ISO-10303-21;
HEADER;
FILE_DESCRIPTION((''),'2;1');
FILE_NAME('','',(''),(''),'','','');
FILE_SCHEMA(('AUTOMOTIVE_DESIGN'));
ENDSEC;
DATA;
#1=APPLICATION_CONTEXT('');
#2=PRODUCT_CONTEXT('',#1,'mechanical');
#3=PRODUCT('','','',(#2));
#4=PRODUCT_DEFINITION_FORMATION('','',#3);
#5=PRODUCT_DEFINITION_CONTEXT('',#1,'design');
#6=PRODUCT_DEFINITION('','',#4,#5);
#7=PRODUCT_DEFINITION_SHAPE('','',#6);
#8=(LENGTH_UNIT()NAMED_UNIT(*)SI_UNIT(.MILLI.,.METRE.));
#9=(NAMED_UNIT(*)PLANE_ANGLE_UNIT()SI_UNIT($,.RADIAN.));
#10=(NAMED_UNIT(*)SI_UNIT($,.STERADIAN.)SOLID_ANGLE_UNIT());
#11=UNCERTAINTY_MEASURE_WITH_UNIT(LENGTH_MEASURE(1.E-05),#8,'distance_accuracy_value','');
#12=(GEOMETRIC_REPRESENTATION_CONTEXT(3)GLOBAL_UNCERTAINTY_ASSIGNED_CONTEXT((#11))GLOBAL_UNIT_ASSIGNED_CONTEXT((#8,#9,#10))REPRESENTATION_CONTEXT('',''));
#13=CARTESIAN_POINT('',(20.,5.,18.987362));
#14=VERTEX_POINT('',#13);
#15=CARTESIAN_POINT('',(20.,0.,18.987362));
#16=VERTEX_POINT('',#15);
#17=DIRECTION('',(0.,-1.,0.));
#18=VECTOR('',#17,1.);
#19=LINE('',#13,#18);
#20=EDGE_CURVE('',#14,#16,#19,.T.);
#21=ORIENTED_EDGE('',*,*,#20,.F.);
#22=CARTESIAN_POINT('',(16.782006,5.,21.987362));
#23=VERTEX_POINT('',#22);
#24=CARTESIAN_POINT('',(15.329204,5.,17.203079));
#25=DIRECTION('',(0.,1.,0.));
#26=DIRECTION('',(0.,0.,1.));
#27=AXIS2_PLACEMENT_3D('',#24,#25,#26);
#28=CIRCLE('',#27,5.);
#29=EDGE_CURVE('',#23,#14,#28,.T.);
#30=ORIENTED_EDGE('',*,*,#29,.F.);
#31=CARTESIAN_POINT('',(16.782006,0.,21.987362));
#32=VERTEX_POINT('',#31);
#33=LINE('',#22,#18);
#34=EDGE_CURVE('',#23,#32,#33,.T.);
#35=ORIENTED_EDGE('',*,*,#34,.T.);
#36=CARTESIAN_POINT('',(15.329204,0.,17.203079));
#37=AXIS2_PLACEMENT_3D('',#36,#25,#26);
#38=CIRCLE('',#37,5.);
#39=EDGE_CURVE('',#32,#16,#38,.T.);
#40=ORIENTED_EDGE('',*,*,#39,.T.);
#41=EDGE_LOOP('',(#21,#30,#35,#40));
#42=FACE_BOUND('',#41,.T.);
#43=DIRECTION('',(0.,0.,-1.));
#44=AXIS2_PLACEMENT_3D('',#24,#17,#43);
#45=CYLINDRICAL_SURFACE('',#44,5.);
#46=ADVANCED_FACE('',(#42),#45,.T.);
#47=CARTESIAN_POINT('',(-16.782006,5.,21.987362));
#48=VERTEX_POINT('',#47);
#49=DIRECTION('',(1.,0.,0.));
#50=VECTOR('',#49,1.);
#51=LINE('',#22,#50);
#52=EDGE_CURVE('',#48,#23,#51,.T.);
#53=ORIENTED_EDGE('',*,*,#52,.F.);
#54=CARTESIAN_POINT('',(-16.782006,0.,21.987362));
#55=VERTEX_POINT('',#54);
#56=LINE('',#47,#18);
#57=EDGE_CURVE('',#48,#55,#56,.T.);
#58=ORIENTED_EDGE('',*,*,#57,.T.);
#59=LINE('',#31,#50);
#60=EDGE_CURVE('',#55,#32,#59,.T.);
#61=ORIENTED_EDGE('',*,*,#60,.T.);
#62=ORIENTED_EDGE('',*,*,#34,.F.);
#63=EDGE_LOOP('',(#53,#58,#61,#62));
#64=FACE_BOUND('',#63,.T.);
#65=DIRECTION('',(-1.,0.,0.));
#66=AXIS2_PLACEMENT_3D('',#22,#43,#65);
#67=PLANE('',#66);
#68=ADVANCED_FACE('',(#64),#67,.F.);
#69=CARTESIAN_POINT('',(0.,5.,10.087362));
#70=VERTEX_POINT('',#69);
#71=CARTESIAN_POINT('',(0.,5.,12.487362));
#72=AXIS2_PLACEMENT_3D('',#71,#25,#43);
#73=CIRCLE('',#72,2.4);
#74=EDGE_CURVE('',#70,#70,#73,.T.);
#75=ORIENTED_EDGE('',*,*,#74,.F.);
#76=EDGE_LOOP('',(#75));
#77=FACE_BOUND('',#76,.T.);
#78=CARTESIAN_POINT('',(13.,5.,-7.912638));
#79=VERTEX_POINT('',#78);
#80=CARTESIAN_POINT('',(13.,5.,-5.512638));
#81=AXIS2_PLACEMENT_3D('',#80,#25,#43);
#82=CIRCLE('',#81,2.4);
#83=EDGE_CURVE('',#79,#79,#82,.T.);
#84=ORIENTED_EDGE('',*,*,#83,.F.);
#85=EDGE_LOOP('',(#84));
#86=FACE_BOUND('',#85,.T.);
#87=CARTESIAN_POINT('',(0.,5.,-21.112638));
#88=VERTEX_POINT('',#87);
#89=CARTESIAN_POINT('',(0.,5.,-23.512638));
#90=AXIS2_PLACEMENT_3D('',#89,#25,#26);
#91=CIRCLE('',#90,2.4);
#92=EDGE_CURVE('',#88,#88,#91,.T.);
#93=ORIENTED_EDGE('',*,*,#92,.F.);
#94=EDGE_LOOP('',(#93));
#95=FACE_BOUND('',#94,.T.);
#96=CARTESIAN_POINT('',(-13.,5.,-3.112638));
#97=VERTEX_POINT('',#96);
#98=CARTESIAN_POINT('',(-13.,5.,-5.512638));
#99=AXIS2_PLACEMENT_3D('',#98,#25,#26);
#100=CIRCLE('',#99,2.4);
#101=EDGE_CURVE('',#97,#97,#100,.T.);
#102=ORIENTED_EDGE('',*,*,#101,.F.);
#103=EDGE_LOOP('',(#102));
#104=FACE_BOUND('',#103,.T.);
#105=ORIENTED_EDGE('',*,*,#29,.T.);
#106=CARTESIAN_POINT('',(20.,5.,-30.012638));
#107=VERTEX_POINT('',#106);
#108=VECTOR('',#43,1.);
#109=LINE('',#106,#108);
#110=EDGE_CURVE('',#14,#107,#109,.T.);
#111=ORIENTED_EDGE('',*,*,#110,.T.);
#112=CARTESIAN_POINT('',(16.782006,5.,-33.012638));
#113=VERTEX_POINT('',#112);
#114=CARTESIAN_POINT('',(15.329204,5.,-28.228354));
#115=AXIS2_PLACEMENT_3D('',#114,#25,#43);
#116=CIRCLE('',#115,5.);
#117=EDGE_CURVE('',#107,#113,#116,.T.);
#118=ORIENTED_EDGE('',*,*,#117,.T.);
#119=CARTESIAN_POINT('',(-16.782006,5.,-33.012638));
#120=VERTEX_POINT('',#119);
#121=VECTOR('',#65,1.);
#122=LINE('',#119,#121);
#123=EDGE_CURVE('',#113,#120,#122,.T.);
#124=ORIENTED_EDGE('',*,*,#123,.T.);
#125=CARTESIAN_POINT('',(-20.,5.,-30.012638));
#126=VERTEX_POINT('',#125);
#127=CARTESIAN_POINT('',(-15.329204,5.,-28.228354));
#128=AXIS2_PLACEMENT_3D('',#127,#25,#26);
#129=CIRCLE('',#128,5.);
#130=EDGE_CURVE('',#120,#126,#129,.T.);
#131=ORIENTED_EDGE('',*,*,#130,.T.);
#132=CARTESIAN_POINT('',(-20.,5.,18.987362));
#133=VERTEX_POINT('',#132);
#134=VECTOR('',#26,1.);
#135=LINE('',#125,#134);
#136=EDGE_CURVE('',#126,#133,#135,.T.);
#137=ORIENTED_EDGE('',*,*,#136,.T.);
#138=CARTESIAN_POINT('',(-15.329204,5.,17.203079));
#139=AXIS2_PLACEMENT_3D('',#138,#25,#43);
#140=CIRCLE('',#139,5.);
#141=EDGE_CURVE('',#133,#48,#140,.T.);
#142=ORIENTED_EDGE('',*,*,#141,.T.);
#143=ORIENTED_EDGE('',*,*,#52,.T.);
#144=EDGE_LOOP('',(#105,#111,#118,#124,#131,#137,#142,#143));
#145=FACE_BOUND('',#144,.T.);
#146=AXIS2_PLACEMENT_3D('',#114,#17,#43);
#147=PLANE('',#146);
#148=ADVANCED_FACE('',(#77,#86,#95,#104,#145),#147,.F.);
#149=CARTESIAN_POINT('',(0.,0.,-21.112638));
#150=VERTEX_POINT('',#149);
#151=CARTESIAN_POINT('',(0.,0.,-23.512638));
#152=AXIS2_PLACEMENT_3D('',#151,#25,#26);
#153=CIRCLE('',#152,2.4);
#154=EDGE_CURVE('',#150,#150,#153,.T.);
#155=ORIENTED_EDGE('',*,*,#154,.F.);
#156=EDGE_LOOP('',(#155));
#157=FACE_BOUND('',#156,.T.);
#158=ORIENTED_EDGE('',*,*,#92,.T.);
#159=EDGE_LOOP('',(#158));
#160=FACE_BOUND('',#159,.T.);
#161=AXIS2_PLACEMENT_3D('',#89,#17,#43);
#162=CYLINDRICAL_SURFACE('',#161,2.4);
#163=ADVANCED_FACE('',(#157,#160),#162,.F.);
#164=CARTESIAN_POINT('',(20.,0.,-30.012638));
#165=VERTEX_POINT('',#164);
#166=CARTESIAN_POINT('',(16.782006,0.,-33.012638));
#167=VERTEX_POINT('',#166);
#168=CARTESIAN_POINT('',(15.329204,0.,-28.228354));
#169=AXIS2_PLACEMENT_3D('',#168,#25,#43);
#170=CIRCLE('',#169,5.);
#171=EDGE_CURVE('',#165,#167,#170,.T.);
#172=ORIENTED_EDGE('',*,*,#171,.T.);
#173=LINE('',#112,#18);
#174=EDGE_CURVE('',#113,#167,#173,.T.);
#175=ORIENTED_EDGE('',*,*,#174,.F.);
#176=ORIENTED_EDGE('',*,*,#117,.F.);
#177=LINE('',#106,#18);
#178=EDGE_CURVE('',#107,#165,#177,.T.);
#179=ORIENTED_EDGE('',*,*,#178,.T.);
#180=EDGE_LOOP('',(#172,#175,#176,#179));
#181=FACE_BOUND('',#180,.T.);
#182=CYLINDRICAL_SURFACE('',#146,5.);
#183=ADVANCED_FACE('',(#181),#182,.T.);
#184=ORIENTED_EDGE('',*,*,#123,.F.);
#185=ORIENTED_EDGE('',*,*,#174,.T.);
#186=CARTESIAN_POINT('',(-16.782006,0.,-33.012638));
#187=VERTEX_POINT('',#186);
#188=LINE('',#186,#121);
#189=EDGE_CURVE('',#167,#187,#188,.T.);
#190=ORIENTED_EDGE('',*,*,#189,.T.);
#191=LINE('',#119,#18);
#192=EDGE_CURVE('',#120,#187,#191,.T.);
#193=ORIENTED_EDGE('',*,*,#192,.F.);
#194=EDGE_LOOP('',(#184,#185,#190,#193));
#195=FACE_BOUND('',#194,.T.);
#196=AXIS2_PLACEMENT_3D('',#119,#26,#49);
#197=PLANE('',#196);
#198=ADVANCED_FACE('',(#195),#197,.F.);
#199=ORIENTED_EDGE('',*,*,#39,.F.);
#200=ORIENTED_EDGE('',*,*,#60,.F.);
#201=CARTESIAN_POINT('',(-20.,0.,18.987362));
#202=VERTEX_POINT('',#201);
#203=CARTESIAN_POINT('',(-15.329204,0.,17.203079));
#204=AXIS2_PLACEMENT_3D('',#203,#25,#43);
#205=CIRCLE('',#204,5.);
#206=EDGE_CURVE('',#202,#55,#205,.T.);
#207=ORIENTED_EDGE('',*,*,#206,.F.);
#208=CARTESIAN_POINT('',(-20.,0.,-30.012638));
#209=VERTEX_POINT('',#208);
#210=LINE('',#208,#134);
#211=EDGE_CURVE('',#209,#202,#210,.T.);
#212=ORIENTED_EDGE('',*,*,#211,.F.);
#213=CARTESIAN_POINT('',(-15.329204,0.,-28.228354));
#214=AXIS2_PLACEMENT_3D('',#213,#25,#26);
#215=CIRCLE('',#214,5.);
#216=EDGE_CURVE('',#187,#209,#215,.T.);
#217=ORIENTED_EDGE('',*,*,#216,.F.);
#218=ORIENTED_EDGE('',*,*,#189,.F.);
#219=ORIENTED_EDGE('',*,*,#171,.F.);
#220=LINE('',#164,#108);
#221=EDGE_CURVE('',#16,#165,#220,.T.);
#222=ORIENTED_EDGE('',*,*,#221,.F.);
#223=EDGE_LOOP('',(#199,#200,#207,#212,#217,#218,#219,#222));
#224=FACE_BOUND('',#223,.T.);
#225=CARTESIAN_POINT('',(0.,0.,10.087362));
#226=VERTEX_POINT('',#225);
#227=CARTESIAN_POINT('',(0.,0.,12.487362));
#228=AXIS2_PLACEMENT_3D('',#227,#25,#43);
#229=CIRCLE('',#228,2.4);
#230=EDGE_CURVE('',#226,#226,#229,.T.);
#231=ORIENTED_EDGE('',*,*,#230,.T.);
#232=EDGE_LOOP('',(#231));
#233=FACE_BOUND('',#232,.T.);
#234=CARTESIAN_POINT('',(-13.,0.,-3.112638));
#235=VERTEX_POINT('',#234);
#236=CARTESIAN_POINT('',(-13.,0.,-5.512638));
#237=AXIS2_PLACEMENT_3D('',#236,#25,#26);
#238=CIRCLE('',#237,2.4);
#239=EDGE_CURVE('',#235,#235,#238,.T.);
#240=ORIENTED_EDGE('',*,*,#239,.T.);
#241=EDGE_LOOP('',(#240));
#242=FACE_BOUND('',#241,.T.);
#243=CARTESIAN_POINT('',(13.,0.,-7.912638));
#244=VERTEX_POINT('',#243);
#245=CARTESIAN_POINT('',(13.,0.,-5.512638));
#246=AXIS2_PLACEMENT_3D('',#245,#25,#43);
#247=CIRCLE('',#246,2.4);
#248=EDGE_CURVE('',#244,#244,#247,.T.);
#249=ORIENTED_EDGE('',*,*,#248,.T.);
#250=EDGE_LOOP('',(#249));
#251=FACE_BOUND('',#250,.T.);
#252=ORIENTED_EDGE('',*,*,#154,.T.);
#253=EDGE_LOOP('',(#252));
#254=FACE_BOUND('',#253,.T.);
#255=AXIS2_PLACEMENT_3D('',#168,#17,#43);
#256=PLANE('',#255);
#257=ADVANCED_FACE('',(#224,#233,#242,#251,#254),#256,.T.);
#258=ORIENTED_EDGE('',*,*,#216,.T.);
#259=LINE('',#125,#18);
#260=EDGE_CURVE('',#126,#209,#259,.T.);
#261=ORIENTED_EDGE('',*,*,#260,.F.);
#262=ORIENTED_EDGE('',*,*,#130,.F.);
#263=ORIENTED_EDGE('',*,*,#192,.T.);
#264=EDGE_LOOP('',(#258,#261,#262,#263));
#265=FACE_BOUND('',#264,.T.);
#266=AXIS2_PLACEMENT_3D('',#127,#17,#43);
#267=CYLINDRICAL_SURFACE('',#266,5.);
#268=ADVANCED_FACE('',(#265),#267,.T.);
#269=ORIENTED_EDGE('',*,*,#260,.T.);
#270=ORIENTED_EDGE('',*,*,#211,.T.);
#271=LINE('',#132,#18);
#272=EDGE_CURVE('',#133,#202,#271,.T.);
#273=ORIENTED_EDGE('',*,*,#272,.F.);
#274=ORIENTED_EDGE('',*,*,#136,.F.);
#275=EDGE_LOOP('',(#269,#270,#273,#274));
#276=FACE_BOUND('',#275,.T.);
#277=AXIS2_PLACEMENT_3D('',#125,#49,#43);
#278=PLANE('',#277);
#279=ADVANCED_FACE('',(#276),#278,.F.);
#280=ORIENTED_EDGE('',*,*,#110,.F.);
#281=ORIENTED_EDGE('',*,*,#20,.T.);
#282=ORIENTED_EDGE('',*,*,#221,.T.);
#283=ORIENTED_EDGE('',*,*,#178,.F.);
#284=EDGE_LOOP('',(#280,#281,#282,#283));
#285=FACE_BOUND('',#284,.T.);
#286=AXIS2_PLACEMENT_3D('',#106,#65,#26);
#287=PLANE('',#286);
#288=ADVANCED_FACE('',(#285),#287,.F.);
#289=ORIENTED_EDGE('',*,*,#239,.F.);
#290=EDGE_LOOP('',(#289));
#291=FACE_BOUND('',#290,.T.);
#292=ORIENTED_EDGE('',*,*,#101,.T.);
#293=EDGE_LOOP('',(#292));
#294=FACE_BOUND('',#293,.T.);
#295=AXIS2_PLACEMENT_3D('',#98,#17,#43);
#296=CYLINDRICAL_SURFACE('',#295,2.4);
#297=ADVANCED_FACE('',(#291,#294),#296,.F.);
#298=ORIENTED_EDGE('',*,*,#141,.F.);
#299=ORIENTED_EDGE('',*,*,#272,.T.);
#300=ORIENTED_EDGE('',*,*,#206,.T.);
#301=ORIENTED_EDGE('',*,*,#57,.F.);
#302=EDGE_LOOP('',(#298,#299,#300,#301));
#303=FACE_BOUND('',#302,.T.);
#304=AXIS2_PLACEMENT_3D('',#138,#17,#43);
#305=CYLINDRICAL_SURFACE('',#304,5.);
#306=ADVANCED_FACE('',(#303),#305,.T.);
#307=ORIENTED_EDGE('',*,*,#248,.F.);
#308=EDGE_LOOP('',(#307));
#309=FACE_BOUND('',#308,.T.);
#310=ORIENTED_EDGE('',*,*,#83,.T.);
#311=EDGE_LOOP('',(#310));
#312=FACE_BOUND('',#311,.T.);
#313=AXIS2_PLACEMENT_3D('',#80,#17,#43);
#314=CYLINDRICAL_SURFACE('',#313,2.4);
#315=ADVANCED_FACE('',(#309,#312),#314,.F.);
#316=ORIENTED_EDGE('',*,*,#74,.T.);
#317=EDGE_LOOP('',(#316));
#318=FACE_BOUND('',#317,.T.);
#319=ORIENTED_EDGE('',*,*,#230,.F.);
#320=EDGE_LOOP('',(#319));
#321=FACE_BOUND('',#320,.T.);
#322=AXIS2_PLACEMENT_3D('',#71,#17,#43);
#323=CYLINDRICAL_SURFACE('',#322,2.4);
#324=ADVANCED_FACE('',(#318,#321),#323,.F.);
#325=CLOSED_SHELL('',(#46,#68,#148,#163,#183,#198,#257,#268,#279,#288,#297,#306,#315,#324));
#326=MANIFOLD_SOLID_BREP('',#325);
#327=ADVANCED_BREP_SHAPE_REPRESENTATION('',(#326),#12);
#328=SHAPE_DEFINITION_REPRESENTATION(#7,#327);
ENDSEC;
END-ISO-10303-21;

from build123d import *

# Parameters (mm, degrees)
SKETCH1_R           = 2.4
BOSS_EXTRUDE1_DEPTH = 5


with BuildPart() as part:
    # Sketch1 → Boss-Extrude1 (new body)
    with BuildSketch(Plane(origin=(0, 0, 0), x_dir=(1, 0, 0), z_dir=(0, 1, 0))):
        with BuildLine():
            Line((-16.782005905, 33.012637592), (16.782005905, 33.012637592))
            ThreePointArc((16.782005905, 33.012637592), (18.738692672, 31.885592081), (20, 30.012637592))
            Line((20, 30.012637592), (20, -18.987362408))
            ThreePointArc((20, -18.987362408), (18.738692672, -20.860316896), (16.782005905, -21.987362408))
            Line((16.782005905, -21.987362408), (-16.782005905, -21.987362408))
            ThreePointArc((-16.782005905, -21.987362408), (-18.738692672, -20.860316896), (-20, -18.987362408))
            Line((-20, -18.987362408), (-20, 30.012637592))
            ThreePointArc((-20, 30.012637592), (-18.738692672, 31.885592081), (-16.782005905, 33.012637592))
        make_face()
        with Locations(Location((0, 23.512637592, 0), (0, 0, 270))):
            Circle(SKETCH1_R, mode=Mode.SUBTRACT)
        with Locations(Location((-13, 5.512637592, 0), (0, 0, 270))):
            Circle(SKETCH1_R, mode=Mode.SUBTRACT)
        with Locations(Location((0, -12.487362408, 0), (0, 0, 90))):
            Circle(SKETCH1_R, mode=Mode.SUBTRACT)
        with Locations(Location((13, 5.512637592, 0), (0, 0, 90))):
            Circle(SKETCH1_R, mode=Mode.SUBTRACT)
    extrude(amount=BOSS_EXTRUDE1_DEPTH)


solid = part.part
